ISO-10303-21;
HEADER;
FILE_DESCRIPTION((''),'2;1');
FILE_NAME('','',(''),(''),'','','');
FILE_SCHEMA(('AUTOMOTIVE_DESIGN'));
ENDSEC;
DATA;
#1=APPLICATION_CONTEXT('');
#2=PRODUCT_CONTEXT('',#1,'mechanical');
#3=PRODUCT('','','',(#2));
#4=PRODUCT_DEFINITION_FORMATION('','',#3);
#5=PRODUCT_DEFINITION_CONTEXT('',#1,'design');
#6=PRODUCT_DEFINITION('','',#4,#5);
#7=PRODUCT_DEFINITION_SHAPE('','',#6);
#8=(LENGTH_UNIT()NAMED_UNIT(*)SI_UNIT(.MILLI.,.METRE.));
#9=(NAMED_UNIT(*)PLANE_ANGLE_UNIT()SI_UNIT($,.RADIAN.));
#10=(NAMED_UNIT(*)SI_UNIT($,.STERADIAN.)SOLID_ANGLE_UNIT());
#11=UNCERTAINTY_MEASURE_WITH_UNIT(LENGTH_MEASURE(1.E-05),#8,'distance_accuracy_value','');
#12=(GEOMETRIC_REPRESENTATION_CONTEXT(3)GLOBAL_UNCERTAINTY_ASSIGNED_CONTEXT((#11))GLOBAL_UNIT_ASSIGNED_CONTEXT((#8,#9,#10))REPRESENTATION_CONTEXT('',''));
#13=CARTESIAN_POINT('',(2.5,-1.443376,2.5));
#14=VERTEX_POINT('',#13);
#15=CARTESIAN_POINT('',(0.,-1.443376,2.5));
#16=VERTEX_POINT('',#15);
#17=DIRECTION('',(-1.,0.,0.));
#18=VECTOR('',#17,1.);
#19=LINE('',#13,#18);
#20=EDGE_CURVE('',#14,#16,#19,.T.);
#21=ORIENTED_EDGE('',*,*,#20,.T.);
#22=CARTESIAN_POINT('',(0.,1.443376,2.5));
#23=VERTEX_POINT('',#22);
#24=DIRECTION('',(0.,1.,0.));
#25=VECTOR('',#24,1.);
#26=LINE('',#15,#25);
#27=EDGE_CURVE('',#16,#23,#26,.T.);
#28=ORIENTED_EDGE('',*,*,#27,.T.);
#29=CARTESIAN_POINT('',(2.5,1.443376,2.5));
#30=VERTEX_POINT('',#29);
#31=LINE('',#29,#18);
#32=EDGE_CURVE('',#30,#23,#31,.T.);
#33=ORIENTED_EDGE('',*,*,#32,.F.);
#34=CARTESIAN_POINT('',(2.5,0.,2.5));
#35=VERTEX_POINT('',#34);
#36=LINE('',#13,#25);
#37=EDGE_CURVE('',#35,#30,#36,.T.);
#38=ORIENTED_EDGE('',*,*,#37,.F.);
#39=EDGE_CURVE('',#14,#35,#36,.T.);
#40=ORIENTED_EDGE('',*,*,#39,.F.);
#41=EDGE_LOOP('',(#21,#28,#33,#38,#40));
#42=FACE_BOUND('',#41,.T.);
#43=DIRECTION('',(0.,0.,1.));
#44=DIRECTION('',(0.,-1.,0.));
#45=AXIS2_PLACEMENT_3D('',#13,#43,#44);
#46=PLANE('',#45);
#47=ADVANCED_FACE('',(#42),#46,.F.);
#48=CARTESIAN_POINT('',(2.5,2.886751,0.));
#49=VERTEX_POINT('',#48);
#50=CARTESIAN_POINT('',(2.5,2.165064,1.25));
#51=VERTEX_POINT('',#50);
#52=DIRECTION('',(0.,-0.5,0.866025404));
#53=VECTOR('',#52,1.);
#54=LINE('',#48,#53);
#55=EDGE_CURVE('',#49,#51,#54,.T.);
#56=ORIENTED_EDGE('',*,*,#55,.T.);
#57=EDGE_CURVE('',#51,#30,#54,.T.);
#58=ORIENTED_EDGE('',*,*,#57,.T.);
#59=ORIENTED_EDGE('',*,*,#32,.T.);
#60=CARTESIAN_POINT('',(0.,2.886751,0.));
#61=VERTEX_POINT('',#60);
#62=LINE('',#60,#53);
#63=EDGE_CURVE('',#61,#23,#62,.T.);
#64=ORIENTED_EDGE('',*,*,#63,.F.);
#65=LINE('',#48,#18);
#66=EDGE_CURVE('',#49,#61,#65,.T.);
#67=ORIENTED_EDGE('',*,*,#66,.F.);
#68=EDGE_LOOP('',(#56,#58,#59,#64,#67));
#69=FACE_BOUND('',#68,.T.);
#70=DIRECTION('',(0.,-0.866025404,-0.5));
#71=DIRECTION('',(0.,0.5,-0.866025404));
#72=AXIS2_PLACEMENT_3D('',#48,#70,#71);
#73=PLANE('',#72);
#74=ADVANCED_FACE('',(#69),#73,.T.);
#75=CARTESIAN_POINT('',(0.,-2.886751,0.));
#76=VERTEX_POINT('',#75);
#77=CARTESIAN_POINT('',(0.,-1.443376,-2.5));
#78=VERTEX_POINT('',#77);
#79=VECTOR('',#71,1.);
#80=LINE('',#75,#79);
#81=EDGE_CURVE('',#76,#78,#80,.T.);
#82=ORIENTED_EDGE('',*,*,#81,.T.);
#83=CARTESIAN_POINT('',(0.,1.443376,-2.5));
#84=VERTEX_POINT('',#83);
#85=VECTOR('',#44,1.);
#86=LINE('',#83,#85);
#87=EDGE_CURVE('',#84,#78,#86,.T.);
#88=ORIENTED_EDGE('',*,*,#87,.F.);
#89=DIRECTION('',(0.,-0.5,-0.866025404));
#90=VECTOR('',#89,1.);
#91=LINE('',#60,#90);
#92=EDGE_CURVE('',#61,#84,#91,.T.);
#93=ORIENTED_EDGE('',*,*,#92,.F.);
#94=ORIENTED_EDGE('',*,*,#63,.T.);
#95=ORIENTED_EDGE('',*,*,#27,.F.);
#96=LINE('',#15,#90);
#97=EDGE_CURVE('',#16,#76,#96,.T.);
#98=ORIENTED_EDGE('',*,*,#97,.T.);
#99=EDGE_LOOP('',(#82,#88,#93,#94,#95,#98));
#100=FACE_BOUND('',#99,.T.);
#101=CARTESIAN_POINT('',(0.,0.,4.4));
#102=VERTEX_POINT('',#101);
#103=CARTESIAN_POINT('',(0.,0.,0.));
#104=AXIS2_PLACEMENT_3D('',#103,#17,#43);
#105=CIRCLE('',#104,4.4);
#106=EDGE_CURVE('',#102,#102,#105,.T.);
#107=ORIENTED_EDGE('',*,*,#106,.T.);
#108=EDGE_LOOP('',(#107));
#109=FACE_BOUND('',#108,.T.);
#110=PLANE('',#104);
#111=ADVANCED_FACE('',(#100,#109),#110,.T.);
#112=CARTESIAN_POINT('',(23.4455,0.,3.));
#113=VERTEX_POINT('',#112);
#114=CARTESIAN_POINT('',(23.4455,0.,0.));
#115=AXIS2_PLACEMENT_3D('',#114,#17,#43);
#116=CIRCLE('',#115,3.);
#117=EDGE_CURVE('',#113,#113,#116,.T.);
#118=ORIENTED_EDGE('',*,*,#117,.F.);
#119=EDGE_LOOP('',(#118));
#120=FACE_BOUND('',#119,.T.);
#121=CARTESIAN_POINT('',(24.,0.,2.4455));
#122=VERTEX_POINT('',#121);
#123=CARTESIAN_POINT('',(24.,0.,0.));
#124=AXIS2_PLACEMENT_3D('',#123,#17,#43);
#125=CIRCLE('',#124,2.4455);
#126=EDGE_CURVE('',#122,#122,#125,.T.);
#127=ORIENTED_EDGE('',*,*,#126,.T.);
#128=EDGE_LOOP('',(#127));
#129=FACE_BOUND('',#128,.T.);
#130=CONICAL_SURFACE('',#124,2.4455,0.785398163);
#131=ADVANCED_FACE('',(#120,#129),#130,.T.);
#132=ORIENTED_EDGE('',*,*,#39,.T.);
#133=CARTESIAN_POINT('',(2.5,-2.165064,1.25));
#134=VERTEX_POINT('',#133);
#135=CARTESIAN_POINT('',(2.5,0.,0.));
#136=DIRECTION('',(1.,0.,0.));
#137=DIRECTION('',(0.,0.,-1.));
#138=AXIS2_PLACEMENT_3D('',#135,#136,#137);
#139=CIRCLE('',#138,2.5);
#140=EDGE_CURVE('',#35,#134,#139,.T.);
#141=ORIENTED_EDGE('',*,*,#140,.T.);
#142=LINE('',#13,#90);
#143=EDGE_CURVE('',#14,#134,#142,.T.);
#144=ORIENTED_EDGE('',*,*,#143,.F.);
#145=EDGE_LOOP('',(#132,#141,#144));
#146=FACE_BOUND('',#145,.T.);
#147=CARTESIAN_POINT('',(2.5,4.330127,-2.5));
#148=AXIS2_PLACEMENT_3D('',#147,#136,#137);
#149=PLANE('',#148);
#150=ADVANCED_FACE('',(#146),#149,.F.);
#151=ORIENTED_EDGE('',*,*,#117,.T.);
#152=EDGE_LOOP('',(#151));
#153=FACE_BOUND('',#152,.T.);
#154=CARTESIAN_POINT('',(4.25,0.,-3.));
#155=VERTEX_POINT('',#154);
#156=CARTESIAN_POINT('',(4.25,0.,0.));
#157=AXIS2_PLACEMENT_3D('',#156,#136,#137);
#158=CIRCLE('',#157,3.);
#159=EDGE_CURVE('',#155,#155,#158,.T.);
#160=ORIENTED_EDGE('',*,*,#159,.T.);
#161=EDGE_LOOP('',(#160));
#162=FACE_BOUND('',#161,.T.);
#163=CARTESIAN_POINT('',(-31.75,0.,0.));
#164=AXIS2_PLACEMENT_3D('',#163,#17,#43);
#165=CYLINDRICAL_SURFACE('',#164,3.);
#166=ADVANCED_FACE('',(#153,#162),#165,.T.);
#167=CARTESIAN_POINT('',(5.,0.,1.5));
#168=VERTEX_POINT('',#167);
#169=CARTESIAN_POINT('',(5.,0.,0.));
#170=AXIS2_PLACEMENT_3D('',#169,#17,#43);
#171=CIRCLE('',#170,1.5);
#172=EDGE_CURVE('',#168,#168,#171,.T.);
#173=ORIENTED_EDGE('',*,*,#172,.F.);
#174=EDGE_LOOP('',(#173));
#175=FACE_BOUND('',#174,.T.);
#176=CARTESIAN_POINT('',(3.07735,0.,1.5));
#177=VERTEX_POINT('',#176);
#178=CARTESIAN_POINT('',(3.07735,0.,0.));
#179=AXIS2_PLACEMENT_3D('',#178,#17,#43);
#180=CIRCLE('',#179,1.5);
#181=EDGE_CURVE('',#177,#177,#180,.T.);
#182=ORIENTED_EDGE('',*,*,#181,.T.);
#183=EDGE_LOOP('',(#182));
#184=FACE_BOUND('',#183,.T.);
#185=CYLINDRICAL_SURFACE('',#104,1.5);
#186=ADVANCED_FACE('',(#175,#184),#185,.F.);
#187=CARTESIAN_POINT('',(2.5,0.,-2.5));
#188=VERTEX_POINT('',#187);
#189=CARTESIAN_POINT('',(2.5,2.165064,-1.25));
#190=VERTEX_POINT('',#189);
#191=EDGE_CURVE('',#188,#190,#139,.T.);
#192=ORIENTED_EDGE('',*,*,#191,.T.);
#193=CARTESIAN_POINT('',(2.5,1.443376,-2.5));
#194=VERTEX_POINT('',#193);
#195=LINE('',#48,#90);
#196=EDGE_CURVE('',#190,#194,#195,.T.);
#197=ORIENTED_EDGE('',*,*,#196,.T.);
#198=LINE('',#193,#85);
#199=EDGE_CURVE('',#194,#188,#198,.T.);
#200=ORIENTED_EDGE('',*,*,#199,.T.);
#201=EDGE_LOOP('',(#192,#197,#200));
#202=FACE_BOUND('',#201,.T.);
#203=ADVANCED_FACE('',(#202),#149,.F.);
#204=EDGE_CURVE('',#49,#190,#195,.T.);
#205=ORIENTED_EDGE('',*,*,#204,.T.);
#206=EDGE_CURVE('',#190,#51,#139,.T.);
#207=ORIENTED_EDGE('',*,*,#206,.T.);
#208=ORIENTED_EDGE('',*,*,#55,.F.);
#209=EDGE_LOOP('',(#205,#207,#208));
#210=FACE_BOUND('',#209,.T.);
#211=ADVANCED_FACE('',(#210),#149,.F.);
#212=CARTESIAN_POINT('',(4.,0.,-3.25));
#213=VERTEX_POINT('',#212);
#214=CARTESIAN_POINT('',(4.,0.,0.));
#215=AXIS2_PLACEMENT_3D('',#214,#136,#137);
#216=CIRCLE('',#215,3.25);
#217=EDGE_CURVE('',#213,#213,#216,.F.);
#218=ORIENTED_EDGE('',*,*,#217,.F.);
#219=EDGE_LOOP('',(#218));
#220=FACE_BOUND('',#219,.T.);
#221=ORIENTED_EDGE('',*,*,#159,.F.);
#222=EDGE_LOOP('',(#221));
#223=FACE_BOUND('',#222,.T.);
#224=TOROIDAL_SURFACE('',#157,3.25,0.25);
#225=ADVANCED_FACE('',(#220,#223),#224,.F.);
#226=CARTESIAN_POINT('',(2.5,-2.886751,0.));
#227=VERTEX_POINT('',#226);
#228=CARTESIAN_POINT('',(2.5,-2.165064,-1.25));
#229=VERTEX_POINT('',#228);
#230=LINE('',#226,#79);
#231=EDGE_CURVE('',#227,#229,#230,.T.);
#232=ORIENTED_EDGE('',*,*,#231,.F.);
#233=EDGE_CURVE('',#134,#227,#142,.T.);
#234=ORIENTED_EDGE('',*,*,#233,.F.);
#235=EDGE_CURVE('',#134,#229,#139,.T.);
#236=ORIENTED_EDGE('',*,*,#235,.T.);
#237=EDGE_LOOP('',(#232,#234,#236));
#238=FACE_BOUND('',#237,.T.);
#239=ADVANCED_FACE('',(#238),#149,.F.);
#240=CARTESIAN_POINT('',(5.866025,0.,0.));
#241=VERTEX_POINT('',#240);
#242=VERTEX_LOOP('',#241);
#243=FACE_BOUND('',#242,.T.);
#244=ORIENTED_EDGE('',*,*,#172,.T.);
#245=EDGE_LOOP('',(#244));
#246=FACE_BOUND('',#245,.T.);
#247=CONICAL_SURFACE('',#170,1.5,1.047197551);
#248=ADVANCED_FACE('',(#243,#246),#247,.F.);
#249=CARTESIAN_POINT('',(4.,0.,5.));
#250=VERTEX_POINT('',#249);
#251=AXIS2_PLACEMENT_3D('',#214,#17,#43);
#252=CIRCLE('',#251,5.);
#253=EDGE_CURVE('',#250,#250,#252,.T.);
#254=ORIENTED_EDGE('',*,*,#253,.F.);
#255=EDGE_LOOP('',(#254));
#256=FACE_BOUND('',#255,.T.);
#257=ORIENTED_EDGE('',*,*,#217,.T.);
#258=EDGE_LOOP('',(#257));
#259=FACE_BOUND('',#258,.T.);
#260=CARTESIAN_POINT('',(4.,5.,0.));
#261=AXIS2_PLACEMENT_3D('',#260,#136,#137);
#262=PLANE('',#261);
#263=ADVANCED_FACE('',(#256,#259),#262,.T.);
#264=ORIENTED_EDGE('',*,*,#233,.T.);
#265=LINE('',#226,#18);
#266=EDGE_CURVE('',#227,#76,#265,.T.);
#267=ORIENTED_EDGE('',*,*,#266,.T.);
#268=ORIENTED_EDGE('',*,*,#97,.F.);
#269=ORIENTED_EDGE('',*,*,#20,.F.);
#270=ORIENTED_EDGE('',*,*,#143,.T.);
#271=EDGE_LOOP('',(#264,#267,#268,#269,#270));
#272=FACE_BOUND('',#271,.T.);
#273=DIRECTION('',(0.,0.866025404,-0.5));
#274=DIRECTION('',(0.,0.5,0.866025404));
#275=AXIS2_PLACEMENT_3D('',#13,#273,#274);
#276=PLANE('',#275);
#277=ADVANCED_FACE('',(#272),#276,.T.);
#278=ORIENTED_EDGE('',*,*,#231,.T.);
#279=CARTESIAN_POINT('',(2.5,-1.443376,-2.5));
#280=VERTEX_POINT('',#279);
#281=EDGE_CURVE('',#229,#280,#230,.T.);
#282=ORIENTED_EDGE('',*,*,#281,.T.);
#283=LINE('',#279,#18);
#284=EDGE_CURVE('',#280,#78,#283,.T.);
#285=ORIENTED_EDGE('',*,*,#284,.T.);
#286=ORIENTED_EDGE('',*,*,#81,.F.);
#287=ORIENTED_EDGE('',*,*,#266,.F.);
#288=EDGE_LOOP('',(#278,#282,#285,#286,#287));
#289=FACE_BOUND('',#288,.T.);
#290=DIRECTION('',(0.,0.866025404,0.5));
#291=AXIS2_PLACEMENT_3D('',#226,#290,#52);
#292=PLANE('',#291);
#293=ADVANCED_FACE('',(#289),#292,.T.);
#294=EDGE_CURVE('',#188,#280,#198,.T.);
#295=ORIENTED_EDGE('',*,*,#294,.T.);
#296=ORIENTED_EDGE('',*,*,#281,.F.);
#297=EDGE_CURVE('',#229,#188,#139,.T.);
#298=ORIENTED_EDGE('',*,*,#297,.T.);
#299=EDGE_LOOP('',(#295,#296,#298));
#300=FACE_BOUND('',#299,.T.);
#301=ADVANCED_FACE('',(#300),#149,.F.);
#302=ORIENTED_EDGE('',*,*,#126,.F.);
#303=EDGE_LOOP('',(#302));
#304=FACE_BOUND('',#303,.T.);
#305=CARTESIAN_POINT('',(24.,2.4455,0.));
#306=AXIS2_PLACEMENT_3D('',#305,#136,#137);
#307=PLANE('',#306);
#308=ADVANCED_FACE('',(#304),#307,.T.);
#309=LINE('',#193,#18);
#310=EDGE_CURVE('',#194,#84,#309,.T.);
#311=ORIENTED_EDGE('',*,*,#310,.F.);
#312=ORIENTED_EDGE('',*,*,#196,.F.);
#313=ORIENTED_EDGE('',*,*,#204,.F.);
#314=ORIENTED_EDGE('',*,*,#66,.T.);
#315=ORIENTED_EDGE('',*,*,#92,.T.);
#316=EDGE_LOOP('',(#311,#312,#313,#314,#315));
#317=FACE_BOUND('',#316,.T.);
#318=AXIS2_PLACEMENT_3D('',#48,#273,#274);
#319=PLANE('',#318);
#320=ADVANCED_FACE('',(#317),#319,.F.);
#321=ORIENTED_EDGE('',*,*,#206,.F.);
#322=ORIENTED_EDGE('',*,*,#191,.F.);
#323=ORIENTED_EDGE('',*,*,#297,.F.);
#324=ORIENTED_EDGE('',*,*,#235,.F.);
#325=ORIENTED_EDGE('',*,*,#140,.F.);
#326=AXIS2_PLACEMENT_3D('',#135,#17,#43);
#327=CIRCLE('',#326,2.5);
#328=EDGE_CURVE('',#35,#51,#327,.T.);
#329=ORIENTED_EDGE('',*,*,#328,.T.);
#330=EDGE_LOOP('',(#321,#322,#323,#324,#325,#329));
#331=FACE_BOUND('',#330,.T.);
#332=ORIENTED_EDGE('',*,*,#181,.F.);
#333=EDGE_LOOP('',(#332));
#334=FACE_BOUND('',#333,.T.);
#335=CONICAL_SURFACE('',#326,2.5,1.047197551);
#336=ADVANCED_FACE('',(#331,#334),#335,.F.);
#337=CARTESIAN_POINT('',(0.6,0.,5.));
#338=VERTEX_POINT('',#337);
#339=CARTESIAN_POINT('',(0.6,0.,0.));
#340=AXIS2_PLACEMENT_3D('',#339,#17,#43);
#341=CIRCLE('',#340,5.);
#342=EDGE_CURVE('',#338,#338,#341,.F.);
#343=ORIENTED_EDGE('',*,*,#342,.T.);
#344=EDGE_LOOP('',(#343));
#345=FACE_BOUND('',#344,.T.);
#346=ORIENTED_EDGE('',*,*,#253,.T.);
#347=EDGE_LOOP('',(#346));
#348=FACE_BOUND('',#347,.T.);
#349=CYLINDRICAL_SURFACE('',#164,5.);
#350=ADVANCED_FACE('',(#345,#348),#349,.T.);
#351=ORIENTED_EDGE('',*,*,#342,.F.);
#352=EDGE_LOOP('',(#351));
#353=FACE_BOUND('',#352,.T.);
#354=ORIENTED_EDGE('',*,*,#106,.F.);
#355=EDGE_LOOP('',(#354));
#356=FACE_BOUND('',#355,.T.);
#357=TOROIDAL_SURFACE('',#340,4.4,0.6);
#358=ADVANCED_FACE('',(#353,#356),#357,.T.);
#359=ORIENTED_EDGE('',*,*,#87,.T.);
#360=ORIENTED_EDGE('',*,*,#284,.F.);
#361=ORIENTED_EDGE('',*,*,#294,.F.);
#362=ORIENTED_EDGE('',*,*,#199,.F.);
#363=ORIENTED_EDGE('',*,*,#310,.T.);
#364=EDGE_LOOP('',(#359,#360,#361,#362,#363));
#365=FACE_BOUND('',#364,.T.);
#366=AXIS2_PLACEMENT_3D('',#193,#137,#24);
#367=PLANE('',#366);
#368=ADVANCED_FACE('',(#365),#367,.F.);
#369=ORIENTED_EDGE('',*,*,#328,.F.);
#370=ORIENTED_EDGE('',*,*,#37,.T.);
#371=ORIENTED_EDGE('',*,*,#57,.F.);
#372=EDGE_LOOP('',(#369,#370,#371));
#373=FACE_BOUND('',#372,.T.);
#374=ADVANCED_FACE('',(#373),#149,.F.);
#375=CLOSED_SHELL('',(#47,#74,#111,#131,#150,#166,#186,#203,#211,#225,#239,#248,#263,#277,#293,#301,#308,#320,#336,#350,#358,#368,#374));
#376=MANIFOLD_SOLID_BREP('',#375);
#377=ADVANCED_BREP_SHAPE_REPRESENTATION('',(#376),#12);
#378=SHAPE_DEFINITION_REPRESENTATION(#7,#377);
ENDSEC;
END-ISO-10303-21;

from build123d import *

# Parameters (mm, degrees)
FILLET1_R   = 0.25
FILLET2_R   = 0.6
HEX_2_DEPTH = 2.5


with BuildPart() as part:
    # BodySke → Base-Revolve (revolve)
    with BuildSketch(Plane.XY):
        Polygon((0, 0), (0, 5), (4, 5), (4, 3), (23.4455, 3), (24, 2.4455), (24, 0), align=None)
    revolve(axis=Axis((-31.75, 0, 0), (1, 0, 0)))

    # Fillet1
    fillet1_edges = [part.edges().sort_by_distance(p)[0] for p in [
        (4, -3, 0),
    ]]
    fillet(fillet1_edges, radius=FILLET1_R)

    # Fillet2
    fillet2_edges = [part.edges().sort_by_distance(p)[0] for p in [
        (0, -5, 0),
    ]]
    fillet(fillet2_edges, radius=FILLET2_R)

    # HexSke → Hex 2 (cut)
    with BuildSketch(Plane(origin=(0, 0, 0), x_dir=(0, 0.5, 0.866025404), z_dir=(-1, 0, 0))):
        Polygon((1.443375673, 2.5), (-1.443375673, 2.5), (-2.886751346, 0), (-1.443375673, -2.5), (1.443375673, -2.5), (2.886751346, 0), align=None)
    extrude(amount=-HEX_2_DEPTH, mode=Mode.SUBTRACT)

    # PilotSke → Hex-PreBroach (revolve, cut)
    with BuildSketch(Plane.XY):
        Polygon((0, 2.5), (2.5, 2.5), (3.077350269, 1.5), (5, 1.5), (5.866025404, 0), (0, 0), align=None)
    revolve(axis=Axis((0, 0, 0), (1, 0, 0)), mode=Mode.SUBTRACT)


solid = part.part
